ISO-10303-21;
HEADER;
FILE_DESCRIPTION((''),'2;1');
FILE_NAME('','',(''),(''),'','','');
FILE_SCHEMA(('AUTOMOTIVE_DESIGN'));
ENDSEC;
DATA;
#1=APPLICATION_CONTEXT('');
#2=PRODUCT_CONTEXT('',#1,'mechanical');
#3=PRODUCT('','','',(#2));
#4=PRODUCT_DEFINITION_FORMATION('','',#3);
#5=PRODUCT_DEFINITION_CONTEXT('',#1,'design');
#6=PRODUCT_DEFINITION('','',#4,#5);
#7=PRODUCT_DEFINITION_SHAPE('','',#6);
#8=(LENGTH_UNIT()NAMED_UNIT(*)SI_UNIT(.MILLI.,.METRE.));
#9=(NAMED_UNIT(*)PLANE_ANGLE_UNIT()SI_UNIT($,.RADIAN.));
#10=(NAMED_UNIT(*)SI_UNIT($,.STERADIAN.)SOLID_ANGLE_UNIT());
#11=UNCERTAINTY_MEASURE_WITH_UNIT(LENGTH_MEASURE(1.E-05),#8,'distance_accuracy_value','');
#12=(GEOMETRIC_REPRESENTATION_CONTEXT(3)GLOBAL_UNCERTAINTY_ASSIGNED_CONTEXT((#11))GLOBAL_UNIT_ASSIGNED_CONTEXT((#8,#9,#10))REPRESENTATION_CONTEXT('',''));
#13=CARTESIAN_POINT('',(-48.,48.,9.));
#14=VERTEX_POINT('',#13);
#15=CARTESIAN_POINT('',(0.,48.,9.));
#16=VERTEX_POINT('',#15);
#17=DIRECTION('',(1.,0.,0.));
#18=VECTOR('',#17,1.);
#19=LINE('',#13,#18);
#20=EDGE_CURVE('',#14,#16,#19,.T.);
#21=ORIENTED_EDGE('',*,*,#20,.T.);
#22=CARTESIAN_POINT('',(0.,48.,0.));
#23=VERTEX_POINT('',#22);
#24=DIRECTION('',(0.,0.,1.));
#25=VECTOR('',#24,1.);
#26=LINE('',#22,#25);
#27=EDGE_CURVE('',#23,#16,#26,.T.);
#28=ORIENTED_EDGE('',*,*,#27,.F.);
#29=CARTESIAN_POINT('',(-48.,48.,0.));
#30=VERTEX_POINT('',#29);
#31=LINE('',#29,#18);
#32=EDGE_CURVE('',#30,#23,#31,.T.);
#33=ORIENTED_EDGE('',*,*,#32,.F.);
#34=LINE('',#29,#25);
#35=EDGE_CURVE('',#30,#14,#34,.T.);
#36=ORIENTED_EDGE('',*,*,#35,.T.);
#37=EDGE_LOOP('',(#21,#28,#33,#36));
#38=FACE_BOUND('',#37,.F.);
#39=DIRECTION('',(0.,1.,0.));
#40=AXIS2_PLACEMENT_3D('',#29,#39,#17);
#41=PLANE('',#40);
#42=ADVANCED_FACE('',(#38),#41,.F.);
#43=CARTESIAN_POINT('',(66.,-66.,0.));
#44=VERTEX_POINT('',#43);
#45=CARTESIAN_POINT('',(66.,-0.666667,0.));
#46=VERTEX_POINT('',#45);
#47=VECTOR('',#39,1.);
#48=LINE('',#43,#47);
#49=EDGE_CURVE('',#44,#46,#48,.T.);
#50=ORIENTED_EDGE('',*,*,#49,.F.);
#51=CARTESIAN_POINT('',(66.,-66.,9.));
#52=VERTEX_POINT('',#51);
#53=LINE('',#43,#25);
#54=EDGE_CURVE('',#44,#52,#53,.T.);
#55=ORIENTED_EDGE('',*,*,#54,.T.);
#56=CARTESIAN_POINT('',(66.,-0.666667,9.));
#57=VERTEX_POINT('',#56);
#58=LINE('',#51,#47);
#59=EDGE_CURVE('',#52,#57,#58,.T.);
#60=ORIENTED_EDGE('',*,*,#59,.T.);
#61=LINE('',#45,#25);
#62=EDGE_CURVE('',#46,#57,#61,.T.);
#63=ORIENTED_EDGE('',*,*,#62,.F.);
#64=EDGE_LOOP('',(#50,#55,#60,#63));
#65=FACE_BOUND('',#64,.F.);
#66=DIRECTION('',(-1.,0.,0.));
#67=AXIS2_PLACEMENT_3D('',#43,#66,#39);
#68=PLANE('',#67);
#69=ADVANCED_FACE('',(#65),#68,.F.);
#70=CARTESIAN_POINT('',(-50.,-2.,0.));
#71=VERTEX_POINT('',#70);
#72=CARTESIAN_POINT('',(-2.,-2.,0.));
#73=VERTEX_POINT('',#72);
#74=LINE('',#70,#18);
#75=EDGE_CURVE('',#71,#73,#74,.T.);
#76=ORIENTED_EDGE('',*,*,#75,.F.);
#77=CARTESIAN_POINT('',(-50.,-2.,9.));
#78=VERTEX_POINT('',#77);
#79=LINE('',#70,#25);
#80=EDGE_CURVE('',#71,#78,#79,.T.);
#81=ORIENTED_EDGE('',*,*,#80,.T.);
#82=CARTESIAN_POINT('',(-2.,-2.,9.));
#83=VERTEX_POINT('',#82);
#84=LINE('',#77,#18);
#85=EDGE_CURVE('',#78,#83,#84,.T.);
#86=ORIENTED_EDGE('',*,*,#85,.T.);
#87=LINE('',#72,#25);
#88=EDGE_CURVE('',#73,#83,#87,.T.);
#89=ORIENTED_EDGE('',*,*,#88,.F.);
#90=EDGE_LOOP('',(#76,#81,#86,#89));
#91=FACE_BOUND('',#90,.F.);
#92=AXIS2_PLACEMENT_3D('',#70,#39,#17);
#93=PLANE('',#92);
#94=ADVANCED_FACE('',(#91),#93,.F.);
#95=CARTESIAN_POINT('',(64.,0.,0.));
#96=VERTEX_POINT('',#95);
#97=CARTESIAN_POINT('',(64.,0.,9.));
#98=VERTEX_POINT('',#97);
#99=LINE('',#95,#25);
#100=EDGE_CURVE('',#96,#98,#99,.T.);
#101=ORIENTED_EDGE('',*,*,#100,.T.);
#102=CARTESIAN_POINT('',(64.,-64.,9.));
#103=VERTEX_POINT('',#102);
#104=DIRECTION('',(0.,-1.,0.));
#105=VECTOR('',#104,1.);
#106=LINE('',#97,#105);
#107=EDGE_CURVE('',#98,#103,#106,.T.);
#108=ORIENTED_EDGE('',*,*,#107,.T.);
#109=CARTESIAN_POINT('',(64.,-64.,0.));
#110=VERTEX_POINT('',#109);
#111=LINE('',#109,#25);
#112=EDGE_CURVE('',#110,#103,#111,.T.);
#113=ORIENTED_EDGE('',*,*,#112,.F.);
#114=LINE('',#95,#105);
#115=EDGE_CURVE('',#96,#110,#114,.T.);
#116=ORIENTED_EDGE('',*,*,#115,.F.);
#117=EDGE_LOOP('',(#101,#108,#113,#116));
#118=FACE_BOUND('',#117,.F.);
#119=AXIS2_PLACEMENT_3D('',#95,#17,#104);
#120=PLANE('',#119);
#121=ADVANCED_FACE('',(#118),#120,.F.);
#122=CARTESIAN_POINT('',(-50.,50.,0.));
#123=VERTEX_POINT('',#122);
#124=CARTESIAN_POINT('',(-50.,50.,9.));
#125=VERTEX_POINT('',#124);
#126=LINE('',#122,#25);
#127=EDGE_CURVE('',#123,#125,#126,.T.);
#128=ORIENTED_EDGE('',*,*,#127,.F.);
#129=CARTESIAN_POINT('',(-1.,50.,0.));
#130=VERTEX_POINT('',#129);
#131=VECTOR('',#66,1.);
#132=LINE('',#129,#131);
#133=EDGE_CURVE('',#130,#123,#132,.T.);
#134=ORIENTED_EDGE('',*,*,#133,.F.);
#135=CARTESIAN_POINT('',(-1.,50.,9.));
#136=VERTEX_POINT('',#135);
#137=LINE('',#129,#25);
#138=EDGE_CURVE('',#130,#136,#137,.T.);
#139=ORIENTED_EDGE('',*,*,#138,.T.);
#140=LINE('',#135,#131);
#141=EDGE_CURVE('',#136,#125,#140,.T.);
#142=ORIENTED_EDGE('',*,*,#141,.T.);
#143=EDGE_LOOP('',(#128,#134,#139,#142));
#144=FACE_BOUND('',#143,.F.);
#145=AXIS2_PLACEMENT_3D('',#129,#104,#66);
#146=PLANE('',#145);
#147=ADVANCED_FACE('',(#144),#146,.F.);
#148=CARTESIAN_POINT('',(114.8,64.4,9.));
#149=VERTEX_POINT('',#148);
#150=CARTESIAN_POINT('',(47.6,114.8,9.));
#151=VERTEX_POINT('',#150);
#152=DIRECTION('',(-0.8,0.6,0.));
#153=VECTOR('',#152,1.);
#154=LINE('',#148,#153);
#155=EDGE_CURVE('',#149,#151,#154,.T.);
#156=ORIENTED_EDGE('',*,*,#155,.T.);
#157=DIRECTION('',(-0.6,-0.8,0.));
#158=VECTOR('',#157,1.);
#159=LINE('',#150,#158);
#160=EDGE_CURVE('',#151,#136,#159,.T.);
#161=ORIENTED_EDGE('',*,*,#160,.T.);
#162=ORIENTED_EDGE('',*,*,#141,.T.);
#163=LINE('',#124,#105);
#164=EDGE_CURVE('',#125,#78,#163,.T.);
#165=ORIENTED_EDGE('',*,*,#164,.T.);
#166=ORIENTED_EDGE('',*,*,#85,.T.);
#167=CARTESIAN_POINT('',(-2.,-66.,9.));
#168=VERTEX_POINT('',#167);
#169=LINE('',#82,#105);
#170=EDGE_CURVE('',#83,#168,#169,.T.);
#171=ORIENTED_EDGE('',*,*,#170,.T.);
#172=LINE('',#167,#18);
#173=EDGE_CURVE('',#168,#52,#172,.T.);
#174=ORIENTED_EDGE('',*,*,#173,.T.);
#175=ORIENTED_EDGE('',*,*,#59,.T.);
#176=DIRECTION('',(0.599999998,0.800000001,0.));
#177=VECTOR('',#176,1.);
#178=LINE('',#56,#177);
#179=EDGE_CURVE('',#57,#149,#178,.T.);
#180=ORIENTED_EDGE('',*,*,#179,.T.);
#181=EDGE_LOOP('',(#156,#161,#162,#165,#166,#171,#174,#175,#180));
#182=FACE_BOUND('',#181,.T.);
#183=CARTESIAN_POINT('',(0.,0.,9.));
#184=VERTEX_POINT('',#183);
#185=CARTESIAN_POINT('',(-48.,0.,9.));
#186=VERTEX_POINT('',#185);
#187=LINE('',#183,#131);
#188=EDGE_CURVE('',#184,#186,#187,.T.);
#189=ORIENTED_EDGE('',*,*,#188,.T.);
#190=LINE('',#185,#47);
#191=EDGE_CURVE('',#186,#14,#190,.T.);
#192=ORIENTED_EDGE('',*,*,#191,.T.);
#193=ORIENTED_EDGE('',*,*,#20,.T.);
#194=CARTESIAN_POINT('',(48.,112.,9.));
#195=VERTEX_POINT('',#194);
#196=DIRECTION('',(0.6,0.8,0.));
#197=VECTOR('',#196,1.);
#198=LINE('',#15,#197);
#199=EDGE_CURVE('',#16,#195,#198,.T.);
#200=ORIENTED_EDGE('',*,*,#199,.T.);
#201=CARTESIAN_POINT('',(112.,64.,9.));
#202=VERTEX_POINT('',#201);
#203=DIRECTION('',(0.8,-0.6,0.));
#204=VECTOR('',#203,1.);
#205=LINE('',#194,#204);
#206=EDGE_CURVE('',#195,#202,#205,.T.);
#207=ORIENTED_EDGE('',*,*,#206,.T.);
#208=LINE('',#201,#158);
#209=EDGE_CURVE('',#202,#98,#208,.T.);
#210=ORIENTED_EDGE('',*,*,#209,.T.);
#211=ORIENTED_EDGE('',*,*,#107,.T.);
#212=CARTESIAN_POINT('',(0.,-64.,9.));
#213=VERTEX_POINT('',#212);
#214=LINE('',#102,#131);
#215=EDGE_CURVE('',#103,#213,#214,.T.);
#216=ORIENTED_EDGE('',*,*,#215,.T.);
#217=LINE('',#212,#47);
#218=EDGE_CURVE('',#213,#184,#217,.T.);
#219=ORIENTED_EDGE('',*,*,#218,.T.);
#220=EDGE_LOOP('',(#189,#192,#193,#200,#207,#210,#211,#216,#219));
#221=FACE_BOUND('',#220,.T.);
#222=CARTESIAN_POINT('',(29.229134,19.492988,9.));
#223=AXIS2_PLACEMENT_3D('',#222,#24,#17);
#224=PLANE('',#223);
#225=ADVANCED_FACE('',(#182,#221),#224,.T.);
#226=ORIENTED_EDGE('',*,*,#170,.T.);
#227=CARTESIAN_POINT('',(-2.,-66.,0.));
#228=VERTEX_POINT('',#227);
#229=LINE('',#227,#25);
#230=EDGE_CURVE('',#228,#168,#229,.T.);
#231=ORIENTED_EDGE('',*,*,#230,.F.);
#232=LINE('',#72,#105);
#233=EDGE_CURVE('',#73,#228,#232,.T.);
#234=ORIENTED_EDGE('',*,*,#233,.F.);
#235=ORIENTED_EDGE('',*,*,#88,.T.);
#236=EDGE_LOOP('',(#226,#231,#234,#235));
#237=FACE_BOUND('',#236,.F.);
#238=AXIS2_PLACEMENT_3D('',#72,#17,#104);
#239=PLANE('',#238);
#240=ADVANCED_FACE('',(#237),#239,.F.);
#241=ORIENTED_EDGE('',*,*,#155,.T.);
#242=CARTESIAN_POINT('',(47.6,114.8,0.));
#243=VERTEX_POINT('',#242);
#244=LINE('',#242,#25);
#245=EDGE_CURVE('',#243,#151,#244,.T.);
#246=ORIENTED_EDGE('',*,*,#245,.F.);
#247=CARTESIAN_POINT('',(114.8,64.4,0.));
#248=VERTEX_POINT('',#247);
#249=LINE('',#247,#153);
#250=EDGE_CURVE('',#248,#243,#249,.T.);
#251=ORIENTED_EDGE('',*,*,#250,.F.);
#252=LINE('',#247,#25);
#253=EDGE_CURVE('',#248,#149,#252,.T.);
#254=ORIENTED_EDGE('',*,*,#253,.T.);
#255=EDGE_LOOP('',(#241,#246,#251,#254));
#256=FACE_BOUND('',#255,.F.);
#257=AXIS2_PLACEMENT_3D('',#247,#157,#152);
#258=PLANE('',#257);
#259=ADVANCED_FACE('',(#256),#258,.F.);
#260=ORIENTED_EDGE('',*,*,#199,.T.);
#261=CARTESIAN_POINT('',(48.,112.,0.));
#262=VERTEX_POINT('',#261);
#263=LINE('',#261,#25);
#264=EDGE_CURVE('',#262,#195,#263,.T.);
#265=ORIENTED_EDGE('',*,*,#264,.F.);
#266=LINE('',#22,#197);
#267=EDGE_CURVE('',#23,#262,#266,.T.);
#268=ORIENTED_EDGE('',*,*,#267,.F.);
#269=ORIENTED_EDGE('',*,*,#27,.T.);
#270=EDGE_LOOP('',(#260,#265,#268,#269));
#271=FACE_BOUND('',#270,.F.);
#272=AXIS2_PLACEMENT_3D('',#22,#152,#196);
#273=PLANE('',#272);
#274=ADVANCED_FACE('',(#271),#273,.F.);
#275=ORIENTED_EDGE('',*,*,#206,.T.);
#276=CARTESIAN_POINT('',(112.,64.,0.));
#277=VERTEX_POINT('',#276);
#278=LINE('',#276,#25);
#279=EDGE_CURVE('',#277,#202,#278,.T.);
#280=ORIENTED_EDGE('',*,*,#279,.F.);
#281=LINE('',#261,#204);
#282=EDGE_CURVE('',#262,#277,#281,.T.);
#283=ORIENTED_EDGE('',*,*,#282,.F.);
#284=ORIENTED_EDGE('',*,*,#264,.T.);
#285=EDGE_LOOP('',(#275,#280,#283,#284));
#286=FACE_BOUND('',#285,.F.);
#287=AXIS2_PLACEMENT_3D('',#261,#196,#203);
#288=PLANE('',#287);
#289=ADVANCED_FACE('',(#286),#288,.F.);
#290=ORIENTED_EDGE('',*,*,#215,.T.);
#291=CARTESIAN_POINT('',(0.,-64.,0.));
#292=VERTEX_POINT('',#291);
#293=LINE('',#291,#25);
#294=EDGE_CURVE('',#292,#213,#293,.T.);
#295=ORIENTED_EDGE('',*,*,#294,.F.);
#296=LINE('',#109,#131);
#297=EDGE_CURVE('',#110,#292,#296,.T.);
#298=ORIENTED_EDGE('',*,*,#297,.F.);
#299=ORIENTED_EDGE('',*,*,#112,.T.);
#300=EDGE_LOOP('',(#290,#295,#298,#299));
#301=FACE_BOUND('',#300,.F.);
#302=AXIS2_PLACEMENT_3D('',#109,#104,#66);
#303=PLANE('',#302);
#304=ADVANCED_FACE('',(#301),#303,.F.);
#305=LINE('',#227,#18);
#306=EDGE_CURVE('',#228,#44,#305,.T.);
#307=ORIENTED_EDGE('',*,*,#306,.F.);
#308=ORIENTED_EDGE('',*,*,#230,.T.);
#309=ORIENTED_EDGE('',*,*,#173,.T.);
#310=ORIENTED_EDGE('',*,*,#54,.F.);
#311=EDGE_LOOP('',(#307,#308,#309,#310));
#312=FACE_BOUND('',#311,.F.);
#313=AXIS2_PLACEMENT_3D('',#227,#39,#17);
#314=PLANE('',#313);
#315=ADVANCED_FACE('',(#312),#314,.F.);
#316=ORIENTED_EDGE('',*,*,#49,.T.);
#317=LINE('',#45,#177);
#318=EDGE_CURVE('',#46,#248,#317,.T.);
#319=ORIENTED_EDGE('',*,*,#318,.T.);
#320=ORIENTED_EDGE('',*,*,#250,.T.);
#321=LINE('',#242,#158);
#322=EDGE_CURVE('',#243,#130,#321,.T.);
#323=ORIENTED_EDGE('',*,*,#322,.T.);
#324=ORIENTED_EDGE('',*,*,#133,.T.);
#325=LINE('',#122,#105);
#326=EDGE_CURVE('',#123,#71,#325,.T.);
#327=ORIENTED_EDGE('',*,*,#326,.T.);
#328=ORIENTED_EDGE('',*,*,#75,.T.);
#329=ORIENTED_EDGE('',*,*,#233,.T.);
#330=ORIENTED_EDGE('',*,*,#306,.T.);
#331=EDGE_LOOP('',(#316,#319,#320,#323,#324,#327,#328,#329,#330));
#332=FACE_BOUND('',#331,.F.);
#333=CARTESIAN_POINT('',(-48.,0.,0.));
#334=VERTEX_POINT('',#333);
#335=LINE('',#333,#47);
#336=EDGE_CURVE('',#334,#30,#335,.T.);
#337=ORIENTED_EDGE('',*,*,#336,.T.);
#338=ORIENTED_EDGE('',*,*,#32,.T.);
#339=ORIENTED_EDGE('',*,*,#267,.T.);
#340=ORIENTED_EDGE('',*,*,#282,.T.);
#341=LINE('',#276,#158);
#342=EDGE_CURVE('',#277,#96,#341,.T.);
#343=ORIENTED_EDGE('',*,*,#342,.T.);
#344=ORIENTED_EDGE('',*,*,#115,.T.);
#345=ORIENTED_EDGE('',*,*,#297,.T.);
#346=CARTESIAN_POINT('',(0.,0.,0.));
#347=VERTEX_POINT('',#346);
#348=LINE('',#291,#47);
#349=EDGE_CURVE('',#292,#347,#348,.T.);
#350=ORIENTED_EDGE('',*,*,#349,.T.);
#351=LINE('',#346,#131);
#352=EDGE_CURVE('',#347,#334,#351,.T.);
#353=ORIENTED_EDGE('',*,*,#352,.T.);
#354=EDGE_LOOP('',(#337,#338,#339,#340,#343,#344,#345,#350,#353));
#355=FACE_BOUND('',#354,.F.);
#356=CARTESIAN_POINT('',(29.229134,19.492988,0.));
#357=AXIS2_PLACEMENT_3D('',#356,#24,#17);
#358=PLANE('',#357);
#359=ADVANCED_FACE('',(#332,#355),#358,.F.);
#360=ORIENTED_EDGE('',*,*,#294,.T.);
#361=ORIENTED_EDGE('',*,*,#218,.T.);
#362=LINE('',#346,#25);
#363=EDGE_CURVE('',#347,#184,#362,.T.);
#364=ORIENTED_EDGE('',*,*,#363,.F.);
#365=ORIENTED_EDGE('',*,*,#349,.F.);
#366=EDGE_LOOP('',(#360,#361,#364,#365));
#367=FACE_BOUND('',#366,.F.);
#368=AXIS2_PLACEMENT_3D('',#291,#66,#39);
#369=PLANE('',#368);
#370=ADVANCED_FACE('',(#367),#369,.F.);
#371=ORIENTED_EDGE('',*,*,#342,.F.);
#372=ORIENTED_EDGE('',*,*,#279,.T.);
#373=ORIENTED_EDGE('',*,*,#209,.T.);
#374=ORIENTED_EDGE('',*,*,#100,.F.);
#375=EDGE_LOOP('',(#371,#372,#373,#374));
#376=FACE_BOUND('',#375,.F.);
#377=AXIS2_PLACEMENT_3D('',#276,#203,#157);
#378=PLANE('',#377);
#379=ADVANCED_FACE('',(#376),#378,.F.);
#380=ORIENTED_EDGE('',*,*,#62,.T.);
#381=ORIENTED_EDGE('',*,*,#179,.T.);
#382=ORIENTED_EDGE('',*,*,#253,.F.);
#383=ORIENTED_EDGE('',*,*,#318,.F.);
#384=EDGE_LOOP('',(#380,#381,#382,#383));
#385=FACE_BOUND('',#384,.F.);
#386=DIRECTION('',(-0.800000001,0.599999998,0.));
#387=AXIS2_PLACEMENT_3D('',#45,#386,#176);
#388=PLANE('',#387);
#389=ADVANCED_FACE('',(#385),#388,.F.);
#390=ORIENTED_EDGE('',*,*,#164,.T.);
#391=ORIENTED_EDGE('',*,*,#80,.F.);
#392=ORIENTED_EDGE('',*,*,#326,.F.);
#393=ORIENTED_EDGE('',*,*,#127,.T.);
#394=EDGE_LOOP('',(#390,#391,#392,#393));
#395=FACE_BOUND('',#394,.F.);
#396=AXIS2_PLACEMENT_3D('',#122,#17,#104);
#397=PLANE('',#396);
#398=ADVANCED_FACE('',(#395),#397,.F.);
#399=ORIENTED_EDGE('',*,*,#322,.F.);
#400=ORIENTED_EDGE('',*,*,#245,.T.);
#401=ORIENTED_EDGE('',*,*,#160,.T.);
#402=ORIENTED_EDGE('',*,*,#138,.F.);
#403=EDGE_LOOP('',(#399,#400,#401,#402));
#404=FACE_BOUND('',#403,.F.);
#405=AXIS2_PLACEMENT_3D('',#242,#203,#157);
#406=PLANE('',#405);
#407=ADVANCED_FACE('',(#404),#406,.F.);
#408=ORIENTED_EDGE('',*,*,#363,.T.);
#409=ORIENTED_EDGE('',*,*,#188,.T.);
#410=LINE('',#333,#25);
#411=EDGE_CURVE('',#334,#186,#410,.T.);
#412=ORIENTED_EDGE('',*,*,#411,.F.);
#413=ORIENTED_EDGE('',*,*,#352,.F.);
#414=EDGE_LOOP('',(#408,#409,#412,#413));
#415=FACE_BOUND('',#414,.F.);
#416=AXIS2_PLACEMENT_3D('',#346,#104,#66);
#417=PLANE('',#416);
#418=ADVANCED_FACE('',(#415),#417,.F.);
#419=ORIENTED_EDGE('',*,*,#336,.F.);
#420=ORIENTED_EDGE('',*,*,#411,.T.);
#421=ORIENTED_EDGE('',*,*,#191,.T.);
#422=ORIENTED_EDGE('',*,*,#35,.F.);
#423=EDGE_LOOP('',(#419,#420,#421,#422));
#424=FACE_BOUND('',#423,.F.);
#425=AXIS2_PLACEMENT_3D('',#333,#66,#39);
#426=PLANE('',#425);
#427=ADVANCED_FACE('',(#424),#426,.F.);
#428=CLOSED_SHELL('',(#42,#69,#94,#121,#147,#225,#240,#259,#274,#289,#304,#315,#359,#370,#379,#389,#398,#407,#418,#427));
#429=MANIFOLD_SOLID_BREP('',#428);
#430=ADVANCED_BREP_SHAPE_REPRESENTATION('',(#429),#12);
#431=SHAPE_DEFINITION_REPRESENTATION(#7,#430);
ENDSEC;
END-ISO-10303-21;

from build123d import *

# Parameters (mm, degrees)
PAD_DEPTH = 9


with BuildPart() as part:
    # Sketch → Pad (new body)
    with BuildSketch(Plane.XY):
        Polygon((-1, 50), (-50, 50), (-50, -2), (-2, -2), (-2, -66), (66, -66), (66, -0.666667), (114.8, 64.4), (47.6, 114.8), align=None)
        Polygon((0, 48), (48, 112), (112, 64), (64, 0), (64, -64), (0, -64), (0, 0), (-48, 0), (-48, 48), align=None, mode=Mode.SUBTRACT)
    extrude(amount=PAD_DEPTH)


solid = part.part
